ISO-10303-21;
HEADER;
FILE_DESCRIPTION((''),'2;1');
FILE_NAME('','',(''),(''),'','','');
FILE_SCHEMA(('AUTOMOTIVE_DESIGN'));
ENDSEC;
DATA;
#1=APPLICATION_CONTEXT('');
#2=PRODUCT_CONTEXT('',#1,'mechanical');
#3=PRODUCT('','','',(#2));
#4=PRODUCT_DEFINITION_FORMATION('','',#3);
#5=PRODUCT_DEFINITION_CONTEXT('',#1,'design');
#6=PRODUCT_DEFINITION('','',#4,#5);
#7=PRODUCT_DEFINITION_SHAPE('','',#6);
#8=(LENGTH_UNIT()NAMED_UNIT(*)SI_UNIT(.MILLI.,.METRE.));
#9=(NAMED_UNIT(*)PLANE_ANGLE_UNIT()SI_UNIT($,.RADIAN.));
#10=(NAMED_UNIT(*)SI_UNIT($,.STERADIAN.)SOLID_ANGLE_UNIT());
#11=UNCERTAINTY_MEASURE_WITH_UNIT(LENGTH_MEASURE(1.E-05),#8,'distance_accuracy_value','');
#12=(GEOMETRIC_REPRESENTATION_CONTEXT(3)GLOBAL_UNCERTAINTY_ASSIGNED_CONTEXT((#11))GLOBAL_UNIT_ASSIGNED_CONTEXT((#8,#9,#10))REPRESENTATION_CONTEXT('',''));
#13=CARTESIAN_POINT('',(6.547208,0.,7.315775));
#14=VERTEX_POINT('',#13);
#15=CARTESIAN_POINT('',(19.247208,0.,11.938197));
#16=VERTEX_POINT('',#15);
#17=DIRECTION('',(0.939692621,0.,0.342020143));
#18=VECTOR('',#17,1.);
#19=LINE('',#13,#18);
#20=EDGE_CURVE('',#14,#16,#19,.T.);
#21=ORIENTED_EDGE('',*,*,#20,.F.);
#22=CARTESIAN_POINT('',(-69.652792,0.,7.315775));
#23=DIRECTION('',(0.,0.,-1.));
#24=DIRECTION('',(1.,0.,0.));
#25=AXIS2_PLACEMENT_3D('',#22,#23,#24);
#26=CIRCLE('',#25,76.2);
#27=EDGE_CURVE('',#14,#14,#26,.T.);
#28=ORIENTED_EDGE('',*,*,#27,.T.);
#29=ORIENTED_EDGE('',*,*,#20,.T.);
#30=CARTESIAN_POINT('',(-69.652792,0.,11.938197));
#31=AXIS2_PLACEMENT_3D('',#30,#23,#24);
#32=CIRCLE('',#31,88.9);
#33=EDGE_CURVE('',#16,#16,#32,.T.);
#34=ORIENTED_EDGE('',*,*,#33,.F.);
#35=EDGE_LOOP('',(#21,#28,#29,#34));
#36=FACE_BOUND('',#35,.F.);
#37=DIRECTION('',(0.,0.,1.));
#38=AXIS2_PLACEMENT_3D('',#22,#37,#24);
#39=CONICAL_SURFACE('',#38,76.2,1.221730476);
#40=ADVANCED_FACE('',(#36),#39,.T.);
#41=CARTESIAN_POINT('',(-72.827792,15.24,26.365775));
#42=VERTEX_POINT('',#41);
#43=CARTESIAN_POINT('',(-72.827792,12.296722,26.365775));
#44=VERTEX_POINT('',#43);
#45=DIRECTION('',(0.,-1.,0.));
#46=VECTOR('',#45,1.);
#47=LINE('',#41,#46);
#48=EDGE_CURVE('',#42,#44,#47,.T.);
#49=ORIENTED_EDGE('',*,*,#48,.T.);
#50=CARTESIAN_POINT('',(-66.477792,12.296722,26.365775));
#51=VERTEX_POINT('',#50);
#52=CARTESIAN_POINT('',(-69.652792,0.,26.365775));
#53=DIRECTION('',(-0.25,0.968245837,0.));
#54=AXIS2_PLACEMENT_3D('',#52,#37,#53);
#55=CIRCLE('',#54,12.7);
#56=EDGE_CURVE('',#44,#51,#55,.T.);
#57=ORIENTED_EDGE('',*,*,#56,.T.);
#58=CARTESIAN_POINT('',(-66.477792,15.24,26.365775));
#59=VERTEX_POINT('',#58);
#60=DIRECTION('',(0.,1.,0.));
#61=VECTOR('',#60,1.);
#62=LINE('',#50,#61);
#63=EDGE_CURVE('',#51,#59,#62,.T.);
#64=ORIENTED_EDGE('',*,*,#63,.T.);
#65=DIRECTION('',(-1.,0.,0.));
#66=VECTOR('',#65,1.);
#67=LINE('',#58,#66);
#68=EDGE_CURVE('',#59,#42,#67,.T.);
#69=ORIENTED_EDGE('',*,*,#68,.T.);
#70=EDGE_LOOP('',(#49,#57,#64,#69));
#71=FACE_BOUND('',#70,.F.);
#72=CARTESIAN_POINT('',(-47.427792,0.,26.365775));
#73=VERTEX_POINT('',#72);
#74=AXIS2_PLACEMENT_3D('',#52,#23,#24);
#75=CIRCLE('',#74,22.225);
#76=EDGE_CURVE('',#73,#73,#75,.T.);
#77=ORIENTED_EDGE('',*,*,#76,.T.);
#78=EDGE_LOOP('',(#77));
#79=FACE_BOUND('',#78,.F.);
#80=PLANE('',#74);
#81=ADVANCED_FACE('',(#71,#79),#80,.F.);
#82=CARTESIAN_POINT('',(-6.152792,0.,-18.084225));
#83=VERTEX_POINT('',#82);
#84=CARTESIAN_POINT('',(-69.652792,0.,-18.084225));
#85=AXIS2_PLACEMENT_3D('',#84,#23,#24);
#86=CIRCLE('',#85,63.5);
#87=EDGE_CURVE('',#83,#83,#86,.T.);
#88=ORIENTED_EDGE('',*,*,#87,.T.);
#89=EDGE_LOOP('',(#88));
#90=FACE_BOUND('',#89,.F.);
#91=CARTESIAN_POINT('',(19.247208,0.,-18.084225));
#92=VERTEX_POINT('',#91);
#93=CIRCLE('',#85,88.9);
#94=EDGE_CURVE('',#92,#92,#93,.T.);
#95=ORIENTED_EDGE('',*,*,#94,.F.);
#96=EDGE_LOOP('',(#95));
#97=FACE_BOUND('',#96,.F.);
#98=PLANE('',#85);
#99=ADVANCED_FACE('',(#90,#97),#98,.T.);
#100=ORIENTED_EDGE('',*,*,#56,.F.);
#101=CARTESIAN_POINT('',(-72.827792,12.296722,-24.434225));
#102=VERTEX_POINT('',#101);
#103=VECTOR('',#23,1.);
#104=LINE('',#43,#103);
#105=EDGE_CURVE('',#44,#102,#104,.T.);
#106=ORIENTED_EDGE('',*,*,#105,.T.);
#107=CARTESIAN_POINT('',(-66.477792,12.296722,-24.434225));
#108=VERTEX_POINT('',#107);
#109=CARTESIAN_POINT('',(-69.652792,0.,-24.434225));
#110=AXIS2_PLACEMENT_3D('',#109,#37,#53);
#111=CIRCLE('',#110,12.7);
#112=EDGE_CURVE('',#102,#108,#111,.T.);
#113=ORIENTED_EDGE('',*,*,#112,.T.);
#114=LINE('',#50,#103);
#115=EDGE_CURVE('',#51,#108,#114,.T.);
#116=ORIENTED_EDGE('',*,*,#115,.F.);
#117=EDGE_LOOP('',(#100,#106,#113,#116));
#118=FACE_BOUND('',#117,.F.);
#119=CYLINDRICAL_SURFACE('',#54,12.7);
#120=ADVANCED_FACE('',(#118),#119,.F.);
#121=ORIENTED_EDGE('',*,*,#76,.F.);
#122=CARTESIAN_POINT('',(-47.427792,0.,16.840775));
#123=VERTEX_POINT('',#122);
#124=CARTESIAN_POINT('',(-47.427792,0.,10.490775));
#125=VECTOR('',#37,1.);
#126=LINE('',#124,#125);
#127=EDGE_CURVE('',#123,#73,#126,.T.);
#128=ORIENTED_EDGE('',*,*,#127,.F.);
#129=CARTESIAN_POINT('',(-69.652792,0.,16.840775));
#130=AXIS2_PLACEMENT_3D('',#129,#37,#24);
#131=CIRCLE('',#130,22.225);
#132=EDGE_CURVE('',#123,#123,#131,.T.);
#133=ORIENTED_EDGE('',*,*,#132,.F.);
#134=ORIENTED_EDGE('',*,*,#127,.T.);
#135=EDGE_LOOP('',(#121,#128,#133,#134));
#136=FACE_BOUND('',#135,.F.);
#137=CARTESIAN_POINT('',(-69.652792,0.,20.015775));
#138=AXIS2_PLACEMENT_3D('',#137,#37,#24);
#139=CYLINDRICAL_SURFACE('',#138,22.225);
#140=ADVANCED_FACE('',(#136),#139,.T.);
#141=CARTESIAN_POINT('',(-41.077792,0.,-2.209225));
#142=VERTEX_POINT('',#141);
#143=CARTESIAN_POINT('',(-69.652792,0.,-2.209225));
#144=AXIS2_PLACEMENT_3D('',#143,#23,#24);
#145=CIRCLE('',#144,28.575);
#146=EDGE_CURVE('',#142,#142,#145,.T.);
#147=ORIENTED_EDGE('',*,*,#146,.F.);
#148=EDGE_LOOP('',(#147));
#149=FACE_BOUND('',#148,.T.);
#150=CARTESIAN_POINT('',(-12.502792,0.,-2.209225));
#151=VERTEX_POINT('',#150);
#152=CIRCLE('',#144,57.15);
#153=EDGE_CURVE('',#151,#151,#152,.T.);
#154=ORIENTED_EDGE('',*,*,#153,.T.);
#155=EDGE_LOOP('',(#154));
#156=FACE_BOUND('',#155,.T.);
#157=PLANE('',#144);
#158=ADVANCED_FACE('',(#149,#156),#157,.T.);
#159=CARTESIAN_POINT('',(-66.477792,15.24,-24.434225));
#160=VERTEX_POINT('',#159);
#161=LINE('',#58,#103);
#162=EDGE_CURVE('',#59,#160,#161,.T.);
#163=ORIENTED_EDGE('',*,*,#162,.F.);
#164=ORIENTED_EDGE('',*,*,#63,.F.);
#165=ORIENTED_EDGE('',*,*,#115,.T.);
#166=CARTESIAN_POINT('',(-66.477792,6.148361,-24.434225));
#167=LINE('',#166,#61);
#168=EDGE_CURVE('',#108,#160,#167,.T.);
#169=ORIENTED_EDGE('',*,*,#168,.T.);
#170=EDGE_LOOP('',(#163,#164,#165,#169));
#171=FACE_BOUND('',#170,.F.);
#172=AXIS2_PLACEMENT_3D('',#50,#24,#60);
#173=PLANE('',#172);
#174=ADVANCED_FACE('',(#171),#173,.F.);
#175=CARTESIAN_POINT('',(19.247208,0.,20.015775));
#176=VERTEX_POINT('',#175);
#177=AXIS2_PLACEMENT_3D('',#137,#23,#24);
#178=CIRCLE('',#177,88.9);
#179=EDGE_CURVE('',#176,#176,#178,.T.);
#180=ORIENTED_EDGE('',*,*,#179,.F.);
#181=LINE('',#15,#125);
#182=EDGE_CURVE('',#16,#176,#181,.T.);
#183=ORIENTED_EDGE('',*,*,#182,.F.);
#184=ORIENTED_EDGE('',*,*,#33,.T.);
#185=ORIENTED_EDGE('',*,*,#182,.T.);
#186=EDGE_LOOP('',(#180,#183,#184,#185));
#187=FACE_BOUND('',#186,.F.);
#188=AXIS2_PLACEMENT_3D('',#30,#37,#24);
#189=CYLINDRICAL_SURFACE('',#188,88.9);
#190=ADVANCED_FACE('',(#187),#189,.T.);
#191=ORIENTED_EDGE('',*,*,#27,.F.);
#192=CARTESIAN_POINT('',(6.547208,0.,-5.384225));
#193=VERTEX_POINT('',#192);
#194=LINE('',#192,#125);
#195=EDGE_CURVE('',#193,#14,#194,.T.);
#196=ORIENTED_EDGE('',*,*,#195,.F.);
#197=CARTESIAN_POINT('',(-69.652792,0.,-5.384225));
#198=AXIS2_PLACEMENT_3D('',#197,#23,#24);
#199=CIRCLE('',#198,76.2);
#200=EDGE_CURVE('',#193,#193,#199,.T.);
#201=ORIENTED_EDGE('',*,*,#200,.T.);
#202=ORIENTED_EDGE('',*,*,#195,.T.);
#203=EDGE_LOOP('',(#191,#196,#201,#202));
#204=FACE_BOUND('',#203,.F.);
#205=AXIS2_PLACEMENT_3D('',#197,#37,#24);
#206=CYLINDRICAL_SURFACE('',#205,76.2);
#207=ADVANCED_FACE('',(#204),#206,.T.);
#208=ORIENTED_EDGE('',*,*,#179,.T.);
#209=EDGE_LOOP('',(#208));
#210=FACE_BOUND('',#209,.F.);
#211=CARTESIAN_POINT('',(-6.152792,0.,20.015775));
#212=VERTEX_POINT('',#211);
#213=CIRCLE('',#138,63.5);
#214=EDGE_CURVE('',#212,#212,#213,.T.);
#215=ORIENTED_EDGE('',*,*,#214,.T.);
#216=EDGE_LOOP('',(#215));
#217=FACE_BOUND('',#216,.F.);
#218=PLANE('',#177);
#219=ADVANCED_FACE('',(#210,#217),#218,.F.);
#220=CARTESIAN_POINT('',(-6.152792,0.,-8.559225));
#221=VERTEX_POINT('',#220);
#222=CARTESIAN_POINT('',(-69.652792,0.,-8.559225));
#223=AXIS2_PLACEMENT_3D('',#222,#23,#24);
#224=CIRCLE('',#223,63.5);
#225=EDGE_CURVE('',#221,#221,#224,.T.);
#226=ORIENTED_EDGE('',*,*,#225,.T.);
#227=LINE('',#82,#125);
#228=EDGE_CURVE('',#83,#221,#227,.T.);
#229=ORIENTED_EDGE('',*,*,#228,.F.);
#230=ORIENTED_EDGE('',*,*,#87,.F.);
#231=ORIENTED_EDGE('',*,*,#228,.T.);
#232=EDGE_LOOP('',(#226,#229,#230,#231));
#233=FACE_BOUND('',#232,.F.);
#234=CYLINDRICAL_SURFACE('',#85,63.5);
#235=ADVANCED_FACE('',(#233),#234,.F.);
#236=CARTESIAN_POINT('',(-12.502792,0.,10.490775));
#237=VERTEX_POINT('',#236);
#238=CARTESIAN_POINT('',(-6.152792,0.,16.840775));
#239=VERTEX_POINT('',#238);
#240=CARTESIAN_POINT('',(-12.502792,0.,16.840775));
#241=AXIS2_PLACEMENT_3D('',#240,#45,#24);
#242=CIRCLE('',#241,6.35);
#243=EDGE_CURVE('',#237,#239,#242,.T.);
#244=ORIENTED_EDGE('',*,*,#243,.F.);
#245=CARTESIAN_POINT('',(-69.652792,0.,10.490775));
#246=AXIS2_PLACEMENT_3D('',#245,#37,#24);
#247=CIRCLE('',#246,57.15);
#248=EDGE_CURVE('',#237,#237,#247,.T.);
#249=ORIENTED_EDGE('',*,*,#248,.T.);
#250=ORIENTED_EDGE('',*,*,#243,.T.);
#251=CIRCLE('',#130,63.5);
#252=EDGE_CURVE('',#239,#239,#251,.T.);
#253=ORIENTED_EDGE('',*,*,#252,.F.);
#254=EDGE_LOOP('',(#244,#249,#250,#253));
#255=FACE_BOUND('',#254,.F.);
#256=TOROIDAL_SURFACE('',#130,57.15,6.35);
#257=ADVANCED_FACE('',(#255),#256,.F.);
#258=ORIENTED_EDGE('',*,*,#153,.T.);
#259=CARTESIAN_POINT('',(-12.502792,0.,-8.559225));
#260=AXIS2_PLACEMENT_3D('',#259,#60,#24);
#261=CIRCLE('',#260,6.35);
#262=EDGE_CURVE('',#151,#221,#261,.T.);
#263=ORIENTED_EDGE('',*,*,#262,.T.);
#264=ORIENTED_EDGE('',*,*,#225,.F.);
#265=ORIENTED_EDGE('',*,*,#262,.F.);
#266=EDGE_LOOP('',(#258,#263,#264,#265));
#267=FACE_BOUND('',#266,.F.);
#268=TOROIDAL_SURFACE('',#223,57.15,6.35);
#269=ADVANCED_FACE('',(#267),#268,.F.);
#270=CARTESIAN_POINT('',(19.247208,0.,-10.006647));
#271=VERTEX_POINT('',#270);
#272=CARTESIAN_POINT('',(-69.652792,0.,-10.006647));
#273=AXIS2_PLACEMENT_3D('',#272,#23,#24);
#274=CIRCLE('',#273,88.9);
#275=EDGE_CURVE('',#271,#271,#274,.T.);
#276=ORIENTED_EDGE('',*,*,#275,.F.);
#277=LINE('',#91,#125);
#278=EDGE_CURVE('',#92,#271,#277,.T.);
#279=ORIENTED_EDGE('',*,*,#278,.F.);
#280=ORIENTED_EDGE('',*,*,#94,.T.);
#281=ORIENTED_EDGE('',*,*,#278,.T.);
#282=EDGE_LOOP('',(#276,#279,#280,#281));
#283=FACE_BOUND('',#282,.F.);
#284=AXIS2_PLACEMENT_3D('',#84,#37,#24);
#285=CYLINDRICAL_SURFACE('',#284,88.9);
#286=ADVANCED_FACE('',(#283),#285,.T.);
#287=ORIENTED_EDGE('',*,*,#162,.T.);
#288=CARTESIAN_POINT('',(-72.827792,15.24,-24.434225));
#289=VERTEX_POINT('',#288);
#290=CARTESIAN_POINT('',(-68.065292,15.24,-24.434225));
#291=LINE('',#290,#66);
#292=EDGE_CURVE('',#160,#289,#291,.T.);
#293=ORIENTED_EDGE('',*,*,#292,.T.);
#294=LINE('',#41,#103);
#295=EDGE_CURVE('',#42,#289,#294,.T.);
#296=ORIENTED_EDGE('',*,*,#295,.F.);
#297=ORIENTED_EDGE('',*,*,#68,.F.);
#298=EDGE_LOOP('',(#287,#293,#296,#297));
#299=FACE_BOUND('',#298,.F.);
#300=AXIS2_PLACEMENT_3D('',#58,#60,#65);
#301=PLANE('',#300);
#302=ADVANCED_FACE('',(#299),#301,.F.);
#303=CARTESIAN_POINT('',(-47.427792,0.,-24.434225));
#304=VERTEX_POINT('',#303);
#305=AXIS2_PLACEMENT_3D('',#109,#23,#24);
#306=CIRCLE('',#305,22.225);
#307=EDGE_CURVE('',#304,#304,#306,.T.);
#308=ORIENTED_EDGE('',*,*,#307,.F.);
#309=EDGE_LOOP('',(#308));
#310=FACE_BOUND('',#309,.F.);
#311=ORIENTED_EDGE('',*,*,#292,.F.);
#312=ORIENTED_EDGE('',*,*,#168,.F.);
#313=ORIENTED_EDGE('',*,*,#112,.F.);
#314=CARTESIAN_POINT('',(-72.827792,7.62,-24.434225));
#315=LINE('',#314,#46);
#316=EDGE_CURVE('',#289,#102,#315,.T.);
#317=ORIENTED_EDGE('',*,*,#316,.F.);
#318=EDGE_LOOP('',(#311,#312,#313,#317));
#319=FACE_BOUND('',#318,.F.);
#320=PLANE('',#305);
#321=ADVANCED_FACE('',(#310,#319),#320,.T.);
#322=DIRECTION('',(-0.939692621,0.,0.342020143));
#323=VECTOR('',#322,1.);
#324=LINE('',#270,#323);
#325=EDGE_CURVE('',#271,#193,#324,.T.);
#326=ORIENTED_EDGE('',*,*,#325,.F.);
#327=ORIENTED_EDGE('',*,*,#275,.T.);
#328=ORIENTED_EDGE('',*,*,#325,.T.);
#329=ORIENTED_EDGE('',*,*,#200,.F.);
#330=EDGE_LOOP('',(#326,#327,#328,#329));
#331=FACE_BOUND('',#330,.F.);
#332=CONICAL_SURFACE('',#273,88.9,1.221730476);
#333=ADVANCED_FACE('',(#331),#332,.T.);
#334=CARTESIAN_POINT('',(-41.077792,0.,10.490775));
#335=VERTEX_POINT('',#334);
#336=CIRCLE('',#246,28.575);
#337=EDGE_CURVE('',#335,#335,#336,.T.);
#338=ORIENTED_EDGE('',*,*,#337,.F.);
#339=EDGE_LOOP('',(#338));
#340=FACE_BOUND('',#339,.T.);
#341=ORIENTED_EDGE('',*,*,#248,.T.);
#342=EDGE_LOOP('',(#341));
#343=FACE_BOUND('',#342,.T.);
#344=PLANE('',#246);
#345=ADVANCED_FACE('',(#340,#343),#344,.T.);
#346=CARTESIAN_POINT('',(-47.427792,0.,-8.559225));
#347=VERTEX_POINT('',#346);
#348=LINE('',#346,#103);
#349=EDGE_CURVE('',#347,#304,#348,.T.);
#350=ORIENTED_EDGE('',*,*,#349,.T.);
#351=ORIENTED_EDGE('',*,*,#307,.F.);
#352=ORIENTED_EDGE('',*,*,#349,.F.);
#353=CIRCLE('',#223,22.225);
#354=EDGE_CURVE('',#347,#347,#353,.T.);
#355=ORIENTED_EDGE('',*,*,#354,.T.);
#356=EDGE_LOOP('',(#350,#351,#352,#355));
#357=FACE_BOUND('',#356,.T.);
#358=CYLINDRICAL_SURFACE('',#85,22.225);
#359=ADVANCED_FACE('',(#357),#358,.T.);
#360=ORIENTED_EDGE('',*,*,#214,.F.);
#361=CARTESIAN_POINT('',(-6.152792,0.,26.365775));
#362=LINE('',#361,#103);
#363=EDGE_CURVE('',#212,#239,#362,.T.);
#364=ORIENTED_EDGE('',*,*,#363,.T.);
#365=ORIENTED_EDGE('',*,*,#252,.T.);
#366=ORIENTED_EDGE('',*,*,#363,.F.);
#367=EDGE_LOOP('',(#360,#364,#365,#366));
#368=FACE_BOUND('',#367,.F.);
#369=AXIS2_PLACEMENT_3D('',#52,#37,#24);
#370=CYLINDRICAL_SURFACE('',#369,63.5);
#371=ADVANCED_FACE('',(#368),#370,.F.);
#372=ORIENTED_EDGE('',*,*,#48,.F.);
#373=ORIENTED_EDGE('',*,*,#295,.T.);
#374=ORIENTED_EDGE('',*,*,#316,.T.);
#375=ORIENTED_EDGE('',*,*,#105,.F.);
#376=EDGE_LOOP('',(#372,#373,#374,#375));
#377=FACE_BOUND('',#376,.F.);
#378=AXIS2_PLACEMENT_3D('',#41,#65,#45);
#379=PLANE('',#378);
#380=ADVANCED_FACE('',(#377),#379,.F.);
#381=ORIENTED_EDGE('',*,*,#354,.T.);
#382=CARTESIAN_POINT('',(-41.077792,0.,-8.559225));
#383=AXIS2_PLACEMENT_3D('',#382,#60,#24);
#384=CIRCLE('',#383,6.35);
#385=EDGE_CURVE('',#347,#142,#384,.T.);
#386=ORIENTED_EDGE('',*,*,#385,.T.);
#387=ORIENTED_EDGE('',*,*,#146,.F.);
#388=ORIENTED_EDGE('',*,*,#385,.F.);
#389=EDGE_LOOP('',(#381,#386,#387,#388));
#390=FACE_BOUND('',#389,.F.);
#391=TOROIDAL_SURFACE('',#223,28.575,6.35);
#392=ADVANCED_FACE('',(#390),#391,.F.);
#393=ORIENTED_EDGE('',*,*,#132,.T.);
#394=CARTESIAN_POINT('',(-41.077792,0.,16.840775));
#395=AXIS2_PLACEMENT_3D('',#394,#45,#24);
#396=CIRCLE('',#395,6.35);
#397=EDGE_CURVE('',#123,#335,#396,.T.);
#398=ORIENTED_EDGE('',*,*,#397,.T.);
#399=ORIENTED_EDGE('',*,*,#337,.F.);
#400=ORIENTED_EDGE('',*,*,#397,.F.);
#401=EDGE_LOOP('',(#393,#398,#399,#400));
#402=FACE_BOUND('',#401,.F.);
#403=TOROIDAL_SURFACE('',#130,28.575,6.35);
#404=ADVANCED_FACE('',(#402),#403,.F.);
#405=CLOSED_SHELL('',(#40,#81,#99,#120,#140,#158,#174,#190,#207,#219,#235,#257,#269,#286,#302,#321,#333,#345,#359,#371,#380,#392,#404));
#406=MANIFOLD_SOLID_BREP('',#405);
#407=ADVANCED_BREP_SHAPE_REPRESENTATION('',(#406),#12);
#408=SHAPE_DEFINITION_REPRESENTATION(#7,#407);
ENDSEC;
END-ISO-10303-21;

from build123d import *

# Parameters (mm, degrees)
F3_DEPTH = 50.801
F2_R     = 63.5
F2_R_2   = 22.225
F4_DEPTH = 15.875
F5_R     = 63.5
F5_R_2   = 22.225
F6_DEPTH = 15.875
F7_R     = 6.35


with BuildPart() as f1:
    # F0 (on Front) → F1 (revolve)
    with BuildSketch(Plane.XZ):
        Polygon((-69.6527920461, 26.3657749056), (-69.6527920461, -24.4342250944), (-47.4277920461, -24.4342250944), (-47.4277920461, -18.0842250944), (19.2472079539, -18.0842250944), (19.2472079539, -10.0066470696), (6.5472079539, -5.3842250944), (6.5472079539, 7.3157749056), (19.2472079539, 11.9381968808), (19.2472079539, 20.0157749056), (-47.4277920461, 20.0157749056), (-47.4277920461, 26.3657749056), align=None)
    revolve(axis=Axis((-69.6527920461, 0, 0.9657749056), (0, 0, -1)))

    # F2 (on face) → F3 (cut, through all)
    with BuildSketch(Plane.XY.offset(26.3657749056)):
        with BuildLine():
            Line((-72.8277920461, 15.24), (-72.8277920461, 12.2967221242))
            ThreePointArc((-72.8277920461, 12.2967221242), (-69.6527920461, -12.7), (-66.4777920461, 12.2967221242))
            Line((-66.4777920461, 12.2967221242), (-66.4777920461, 15.24))
            Line((-66.4777920461, 15.24), (-72.8277920461, 15.24))
        make_face()
    extrude(amount=-F3_DEPTH, mode=Mode.SUBTRACT)

    # F2 (on face) → F4 (cut)
    with BuildSketch(Plane.XY.offset(26.3657749056)):
        with Locations((-69.6527920461, 0)):
            Circle(F2_R)
        with Locations((-69.6527920461, 0)):
            Circle(F2_R_2, mode=Mode.SUBTRACT)
    extrude(amount=-F4_DEPTH, mode=Mode.SUBTRACT)

    # F5 (on face) → F6 (cut)
    with BuildSketch(Plane(origin=(0, 0, -18.0842250944), x_dir=(1, 0, 0), z_dir=(0, 0, -1))):
        with Locations((-69.6527920461, 0)):
            Circle(F5_R)
        with Locations((-69.6527920461, 0)):
            Circle(F5_R_2, mode=Mode.SUBTRACT)
    extrude(amount=-F6_DEPTH, mode=Mode.SUBTRACT)

    # F7
    f7_edges = [f1.edges().sort_by_distance(p)[0] for p in [
        (-133.152792, 0, 10.490775),
        (-91.877792, 0, 10.490775),
        (-133.152792, 0, -2.209225),
        (-91.877792, 0, -2.209225),
    ]]
    fillet(f7_edges, radius=F7_R)


solid = f1.part
